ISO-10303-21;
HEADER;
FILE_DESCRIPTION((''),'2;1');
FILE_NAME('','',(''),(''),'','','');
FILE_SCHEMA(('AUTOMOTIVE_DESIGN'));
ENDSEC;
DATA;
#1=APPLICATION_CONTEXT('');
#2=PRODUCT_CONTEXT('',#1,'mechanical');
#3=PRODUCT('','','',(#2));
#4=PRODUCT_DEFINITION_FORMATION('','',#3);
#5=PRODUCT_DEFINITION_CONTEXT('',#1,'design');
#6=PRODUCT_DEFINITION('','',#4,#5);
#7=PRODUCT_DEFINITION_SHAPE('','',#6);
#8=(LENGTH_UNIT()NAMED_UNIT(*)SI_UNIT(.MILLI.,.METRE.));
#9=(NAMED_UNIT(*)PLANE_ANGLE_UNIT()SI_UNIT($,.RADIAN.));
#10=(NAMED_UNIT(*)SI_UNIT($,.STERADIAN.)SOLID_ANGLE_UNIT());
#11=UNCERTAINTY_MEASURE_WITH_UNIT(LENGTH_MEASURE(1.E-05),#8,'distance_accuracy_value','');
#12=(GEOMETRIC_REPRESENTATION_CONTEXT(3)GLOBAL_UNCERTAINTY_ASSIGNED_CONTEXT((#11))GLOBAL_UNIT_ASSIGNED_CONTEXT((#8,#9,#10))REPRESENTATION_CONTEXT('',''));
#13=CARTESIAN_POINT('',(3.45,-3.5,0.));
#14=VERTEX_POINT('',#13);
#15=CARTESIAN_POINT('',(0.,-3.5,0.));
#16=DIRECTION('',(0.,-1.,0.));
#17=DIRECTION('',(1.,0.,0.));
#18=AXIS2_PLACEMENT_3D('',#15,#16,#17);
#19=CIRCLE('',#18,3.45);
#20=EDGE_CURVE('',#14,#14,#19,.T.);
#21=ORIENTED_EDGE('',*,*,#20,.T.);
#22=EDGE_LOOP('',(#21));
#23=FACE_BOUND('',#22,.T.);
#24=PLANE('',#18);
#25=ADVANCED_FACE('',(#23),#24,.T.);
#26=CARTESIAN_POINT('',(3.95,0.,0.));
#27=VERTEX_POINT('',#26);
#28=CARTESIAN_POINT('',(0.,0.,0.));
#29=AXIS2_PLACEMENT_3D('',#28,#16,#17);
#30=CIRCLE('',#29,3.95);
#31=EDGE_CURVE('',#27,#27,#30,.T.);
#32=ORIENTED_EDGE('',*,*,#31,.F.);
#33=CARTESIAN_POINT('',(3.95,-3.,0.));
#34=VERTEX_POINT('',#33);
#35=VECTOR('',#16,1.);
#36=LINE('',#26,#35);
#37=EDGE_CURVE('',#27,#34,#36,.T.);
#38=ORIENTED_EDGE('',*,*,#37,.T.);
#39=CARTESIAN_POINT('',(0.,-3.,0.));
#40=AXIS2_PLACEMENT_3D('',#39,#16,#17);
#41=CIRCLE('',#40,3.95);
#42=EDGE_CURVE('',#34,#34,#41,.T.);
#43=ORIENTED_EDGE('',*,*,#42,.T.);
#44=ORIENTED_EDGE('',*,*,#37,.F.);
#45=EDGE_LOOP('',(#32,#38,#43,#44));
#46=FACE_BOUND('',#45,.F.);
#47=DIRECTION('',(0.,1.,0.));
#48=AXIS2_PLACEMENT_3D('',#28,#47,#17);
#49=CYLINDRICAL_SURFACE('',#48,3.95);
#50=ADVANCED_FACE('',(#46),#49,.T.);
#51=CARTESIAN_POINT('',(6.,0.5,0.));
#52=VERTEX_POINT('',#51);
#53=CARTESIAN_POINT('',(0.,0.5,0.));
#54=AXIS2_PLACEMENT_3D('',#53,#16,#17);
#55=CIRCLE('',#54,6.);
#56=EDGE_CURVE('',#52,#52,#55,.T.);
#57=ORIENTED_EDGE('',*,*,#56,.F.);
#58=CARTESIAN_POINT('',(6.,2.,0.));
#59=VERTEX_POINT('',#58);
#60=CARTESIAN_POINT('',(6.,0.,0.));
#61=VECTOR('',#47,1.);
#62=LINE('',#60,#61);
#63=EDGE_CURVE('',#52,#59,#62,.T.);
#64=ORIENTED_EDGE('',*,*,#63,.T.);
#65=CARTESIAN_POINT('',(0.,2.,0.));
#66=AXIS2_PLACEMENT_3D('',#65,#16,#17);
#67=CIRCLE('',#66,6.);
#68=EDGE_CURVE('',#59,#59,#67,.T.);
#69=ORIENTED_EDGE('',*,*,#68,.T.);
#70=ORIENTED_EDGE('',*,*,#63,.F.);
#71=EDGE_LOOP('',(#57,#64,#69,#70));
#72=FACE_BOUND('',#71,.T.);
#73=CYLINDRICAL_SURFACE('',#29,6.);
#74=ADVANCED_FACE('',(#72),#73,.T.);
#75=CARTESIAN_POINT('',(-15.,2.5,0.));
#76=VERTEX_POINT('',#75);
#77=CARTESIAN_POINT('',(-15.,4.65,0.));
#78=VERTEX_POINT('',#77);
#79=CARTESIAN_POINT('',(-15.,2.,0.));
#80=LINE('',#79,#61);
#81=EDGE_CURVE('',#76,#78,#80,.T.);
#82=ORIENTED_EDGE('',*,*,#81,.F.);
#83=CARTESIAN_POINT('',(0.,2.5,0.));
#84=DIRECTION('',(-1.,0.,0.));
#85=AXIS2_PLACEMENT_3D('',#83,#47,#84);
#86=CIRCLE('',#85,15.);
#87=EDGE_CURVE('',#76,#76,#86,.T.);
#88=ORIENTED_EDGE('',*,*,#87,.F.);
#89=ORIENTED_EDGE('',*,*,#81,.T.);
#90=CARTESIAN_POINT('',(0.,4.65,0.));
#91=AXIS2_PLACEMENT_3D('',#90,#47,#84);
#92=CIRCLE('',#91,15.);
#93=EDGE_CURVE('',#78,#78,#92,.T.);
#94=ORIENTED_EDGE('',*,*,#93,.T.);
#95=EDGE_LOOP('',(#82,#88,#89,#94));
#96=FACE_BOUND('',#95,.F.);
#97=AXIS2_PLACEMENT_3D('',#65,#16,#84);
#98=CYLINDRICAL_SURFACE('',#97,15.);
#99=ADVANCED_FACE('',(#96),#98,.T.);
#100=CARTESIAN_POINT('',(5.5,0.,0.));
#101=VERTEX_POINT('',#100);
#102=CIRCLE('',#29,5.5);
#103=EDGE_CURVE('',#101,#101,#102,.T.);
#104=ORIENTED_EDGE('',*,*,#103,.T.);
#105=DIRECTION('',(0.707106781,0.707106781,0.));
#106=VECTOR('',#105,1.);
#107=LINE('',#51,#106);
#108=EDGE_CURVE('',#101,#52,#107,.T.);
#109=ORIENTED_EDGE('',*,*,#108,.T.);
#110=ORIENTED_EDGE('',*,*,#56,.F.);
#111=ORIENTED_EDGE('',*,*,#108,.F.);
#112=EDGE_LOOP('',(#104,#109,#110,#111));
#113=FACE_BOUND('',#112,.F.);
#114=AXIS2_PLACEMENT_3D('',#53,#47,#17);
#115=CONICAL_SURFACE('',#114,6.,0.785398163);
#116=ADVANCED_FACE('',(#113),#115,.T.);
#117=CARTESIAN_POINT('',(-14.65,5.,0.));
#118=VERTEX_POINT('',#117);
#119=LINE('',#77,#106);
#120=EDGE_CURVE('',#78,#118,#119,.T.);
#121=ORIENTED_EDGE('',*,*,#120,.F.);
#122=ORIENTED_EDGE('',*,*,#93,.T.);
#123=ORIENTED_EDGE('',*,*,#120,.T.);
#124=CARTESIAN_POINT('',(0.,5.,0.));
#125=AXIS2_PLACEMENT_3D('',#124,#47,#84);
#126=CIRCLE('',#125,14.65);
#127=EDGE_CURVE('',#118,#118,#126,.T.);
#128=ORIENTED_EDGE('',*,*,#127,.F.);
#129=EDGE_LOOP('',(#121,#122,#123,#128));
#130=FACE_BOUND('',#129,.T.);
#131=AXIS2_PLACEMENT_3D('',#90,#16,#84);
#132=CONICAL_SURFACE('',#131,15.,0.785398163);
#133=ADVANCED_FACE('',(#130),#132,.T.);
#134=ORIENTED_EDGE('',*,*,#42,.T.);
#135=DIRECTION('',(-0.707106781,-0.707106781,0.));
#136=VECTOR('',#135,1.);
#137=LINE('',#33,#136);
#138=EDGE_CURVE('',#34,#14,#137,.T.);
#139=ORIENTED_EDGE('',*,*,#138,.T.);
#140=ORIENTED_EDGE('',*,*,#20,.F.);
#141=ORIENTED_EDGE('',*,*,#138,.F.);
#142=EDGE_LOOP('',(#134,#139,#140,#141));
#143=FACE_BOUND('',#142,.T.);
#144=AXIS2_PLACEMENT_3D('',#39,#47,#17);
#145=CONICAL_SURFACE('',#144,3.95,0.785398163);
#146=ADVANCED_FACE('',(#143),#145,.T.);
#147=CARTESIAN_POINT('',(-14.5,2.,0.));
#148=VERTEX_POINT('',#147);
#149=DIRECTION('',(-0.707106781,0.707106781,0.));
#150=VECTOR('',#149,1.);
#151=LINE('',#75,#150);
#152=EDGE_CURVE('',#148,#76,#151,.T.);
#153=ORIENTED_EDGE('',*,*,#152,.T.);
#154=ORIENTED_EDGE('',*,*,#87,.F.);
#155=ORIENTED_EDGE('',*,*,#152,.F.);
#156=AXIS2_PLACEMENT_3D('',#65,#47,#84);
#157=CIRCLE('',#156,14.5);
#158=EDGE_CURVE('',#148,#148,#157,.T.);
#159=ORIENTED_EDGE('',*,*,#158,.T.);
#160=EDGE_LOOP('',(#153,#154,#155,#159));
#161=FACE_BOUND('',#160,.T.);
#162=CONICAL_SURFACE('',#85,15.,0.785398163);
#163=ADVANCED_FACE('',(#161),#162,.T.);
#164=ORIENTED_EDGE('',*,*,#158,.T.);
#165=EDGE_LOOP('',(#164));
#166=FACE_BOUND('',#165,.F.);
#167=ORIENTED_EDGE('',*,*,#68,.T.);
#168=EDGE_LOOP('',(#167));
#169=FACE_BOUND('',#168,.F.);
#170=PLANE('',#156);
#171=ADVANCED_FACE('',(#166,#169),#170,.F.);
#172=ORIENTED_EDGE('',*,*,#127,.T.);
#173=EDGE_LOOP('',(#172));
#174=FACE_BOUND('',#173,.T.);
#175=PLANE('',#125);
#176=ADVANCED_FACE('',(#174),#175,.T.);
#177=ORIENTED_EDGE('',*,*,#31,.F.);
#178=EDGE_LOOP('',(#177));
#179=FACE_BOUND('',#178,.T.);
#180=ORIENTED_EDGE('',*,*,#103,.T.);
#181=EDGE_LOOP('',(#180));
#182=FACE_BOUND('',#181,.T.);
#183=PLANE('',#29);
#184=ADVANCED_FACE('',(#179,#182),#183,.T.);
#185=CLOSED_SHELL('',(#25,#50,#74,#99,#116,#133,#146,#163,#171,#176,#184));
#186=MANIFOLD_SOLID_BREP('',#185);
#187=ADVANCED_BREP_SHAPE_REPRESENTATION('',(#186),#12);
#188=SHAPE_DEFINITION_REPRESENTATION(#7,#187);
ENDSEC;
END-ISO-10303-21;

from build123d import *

# Parameters (mm, degrees)
F0_R     = 3.95
F1_DEPTH = 3.5
F2_R     = 6
F3_DEPTH = 2
F4_R     = 15
F5_DEPTH = 3
F6_SIZE  = 0.5
F7_SIZE  = 0.5
F8_SIZE2 = 0.35
F8_SIZE  = 0.35


with BuildPart() as f1:
    # F0 (on Front) → F1 (new body)
    with BuildSketch(Plane.XZ):
        Circle(F0_R)
    extrude(amount=F1_DEPTH)

    # F2 (on Front) → F3 (join)
    with BuildSketch(Plane.XZ):
        Circle(F2_R)
    extrude(amount=-F3_DEPTH)

    # F4 (on face) → F5 (join)
    with BuildSketch(Plane(origin=(0, 2, 0), x_dir=(-1, 0, 0), z_dir=(0, 1, 0))):
        Circle(F4_R)
    extrude(amount=F5_DEPTH)

    # F6
    f6_edges = [f1.edges().sort_by_distance(p)[0] for p in [
        (-3.95, -3.5, 0),
    ]]
    chamfer(f6_edges, length=F6_SIZE)

    # F7
    f7_edges = [f1.edges().sort_by_distance(p)[0] for p in [
        (-6, 0, 0),
        (15, 2, 0),
    ]]
    chamfer(f7_edges, length=F7_SIZE)

    # F8
    f8_edges = [f1.edges().sort_by_distance(p)[0] for p in [
        (15, 5, 0),
    ]]
    chamfer(f8_edges, length=F8_SIZE, length2=F8_SIZE2)


solid = f1.part
